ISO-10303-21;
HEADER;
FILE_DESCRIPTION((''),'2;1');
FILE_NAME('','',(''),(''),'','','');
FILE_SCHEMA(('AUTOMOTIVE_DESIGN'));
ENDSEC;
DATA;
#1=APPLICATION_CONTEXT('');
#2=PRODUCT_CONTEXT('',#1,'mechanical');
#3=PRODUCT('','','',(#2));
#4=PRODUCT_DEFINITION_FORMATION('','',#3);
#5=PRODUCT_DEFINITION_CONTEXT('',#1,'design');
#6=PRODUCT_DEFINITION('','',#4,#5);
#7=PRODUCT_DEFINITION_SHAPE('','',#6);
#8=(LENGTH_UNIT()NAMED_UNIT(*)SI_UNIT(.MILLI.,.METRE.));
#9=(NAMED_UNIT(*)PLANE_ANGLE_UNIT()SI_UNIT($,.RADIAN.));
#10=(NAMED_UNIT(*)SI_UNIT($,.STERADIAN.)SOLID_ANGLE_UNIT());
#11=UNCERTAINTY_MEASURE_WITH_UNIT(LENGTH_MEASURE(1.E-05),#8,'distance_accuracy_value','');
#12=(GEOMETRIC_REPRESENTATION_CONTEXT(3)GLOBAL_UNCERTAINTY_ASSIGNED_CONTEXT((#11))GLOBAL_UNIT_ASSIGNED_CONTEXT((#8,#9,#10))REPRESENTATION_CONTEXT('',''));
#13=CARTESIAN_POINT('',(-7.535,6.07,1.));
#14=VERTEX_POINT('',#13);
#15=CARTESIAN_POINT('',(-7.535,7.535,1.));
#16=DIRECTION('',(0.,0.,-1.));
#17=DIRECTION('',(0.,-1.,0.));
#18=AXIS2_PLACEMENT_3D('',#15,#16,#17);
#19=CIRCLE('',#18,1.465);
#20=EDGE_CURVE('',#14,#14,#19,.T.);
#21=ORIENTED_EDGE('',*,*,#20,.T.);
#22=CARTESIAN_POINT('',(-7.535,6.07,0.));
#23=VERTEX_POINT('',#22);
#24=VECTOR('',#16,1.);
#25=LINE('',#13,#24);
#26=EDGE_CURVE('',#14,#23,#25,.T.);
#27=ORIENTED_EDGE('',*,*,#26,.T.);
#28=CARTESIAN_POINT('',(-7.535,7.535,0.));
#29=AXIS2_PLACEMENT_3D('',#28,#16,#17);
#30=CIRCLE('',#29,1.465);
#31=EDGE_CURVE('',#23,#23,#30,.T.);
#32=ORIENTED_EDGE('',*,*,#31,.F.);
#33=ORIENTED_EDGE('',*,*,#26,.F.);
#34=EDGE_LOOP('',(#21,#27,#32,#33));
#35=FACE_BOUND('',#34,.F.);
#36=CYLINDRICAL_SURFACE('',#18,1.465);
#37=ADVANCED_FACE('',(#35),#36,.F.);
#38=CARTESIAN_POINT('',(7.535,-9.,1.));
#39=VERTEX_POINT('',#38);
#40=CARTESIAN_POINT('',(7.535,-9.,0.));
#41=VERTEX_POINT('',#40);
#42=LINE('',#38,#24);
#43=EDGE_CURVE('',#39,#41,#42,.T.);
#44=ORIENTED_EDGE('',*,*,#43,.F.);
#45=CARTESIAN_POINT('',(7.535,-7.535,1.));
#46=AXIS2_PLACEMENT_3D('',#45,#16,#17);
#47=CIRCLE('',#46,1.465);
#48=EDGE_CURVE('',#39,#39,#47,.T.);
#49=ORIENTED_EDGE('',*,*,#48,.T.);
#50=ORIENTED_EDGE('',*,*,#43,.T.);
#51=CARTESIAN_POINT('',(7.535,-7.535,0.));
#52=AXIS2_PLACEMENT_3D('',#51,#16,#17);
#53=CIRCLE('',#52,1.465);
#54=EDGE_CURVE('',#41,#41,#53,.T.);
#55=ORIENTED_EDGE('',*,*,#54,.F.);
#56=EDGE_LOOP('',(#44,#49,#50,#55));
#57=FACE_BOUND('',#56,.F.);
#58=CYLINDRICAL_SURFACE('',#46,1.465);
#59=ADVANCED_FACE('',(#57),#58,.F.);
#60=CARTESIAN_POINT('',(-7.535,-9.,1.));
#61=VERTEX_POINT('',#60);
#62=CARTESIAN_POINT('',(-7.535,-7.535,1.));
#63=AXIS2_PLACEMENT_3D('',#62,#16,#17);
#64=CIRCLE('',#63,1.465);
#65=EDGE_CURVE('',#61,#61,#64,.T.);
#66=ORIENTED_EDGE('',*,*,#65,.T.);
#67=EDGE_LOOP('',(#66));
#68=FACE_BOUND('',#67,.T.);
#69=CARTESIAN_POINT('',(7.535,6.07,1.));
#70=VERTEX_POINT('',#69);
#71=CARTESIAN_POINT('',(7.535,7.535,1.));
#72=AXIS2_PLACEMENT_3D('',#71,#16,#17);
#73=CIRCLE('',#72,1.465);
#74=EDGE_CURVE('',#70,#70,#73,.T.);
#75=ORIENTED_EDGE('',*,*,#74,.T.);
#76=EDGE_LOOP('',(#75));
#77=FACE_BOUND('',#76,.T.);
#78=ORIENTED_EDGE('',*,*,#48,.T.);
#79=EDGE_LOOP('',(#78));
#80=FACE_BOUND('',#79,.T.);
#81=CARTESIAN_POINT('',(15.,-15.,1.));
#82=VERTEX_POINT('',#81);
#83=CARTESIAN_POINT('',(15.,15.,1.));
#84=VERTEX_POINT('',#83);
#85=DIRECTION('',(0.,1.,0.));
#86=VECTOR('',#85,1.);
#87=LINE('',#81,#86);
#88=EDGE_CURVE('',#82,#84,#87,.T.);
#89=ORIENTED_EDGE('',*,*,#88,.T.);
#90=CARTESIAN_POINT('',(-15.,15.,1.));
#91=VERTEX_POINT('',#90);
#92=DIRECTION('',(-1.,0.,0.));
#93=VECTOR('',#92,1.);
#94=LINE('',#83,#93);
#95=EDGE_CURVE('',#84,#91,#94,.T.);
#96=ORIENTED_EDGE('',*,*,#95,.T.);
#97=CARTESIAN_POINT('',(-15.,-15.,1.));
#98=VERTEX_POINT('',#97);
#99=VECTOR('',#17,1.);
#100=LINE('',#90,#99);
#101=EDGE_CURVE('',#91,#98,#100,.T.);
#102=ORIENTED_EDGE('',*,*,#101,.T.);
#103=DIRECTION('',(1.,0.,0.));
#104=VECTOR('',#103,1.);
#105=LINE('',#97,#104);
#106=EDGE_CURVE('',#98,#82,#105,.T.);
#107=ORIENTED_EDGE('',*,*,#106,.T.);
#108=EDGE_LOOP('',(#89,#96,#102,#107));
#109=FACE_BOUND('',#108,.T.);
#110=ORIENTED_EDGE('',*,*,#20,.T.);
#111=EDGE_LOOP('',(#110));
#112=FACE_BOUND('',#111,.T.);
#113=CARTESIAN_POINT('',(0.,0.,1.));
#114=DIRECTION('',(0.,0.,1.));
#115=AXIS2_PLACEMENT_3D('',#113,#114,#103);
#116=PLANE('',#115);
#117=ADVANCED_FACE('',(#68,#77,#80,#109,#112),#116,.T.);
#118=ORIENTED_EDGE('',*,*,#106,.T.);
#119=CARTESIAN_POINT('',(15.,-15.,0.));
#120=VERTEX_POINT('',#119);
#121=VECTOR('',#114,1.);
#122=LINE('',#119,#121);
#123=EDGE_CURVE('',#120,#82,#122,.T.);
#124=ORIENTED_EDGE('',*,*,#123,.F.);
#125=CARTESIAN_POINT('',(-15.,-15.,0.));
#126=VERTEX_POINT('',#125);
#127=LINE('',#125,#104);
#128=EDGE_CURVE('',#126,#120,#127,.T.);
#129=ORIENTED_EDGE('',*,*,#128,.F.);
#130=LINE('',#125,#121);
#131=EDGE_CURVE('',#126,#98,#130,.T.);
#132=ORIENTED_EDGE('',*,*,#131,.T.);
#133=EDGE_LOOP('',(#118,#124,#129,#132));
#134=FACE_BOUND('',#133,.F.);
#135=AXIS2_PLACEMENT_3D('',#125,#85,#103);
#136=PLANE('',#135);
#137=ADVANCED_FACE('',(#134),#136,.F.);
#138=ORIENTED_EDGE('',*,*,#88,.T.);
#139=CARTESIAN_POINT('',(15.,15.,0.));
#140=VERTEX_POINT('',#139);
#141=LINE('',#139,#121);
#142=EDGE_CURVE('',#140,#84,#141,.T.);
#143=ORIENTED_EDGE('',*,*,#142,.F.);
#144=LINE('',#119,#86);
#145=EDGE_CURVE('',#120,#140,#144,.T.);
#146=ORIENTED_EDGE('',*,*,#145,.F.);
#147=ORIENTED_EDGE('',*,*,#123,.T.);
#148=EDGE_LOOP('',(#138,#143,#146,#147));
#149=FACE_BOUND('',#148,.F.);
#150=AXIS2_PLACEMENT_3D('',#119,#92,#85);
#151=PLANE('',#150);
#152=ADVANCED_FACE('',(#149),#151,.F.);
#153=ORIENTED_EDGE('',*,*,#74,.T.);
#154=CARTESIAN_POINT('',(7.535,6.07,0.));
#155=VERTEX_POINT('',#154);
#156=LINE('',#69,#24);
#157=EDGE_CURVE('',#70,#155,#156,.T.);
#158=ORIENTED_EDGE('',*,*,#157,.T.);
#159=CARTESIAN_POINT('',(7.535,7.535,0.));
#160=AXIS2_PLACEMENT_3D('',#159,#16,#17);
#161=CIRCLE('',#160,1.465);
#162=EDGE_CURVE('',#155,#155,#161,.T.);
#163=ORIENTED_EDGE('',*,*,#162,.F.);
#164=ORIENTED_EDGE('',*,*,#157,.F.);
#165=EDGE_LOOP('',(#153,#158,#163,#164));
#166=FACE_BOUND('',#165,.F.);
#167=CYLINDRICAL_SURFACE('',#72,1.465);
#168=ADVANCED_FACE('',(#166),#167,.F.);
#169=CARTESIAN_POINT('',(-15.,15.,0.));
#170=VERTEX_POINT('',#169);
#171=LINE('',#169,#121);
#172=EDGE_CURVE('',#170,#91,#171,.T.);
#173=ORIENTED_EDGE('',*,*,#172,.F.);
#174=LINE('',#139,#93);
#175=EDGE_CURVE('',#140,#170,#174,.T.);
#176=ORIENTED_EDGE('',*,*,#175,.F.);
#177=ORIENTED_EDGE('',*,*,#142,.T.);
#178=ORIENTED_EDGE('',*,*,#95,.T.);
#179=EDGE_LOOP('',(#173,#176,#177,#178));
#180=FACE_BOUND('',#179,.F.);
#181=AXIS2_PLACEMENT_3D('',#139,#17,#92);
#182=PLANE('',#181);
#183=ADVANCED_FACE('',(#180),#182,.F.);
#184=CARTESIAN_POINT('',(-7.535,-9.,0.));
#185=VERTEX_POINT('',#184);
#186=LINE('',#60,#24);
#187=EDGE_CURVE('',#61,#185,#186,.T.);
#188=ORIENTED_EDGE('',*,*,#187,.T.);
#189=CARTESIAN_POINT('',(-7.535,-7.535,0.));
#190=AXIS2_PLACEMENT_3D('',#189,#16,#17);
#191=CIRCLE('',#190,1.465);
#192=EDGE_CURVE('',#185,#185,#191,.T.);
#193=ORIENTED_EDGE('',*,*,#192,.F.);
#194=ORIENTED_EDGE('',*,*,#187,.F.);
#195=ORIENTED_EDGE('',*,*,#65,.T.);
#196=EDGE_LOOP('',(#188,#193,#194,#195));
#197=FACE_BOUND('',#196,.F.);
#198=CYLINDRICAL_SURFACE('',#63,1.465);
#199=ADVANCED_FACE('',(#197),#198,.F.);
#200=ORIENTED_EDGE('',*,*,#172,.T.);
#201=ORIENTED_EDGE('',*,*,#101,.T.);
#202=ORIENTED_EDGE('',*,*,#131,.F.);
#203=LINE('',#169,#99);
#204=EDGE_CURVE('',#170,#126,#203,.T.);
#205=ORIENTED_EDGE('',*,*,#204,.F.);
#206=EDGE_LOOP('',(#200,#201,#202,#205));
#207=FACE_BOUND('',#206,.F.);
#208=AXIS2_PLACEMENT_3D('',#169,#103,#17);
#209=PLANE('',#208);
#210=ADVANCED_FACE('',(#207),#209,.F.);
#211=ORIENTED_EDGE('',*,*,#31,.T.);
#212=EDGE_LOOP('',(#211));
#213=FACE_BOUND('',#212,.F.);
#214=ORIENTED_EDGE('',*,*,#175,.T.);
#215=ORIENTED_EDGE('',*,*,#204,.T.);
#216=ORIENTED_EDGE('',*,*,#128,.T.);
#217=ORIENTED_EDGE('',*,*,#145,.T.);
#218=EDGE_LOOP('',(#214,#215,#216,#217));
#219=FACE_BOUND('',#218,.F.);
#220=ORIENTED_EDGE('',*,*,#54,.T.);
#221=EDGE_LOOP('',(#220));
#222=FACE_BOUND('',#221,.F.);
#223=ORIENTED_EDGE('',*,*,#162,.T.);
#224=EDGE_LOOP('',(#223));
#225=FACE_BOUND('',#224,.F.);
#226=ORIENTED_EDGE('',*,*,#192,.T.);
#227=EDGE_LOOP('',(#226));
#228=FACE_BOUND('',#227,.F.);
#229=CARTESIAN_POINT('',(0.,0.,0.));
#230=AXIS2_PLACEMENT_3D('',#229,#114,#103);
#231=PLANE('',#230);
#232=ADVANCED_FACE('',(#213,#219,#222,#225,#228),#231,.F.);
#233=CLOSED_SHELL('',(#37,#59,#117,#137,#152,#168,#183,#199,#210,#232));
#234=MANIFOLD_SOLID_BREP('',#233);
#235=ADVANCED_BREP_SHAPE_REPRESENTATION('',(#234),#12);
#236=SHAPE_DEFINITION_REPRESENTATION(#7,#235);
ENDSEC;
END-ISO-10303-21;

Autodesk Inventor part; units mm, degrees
ref_plane "YZ Plane" through (0, 0, 0) normal (1, 0, 0) x (0, 1, 0)
ref_plane "XZ Plane" through (0, 0, 0) normal (0, 1, 0) x (-1, 0, 0)
ref_plane "XY Plane" through (0, 0, 0) normal (0, 0, 1) x (1, 0, 0)
sketch "Skizze1" plane through (0, 0, 0) normal (0, 0, 1) x (1, 0, 0)
  line L0 (-15, -15) -> (15, -15)
  line L1 (15, -15) -> (15, 15)
  line L2 (15, 15) -> (-15, 15)
  line L3 (-15, 15) -> (-15, -15)
  line L4 (-15, -15) -> (15, 15) construction
  line L5 (15, -15) -> (-15, 15) construction
  point P0 (0, 0)
  dimension "d0" = 30
  dimension "d1" = 30
extrude "Extrusion1" add sketch "Skizze1" along normal blind 1
sketch "Sketch2" plane through (0, 0, 1) normal (0, 0, 1) x (1, 0, 0)
  line L0 (-15, -15) -> (15, -15) construction
  line L1 (15, -15) -> (15, 15) construction
  line L2 (15, 15) -> (-15, 15) construction
  line L3 (-15, 15) -> (-15, -15) construction
  line L4 (-7.535, 7.535) -> (7.535, 7.535) construction
  line L5 (7.535, 7.535) -> (7.535, -7.535) construction
  line L6 (7.535, -7.535) -> (-7.535, -7.535) construction
  line L7 (-7.535, -7.535) -> (-7.535, 7.535) construction
  point P0 (0, 0)
  dimension "d4" = 7.465
hole "Hole1" at (-7.535, 7.535, 1) at (7.535, 7.535, 1) at (7.535, -7.535, 1) at (-7.535, -7.535, 1) direction (0, 0, -1) diameter 2.93 end through all
equation "\"d1\" = d0"
properties part number "00_LED-ARRAY_4x4"
